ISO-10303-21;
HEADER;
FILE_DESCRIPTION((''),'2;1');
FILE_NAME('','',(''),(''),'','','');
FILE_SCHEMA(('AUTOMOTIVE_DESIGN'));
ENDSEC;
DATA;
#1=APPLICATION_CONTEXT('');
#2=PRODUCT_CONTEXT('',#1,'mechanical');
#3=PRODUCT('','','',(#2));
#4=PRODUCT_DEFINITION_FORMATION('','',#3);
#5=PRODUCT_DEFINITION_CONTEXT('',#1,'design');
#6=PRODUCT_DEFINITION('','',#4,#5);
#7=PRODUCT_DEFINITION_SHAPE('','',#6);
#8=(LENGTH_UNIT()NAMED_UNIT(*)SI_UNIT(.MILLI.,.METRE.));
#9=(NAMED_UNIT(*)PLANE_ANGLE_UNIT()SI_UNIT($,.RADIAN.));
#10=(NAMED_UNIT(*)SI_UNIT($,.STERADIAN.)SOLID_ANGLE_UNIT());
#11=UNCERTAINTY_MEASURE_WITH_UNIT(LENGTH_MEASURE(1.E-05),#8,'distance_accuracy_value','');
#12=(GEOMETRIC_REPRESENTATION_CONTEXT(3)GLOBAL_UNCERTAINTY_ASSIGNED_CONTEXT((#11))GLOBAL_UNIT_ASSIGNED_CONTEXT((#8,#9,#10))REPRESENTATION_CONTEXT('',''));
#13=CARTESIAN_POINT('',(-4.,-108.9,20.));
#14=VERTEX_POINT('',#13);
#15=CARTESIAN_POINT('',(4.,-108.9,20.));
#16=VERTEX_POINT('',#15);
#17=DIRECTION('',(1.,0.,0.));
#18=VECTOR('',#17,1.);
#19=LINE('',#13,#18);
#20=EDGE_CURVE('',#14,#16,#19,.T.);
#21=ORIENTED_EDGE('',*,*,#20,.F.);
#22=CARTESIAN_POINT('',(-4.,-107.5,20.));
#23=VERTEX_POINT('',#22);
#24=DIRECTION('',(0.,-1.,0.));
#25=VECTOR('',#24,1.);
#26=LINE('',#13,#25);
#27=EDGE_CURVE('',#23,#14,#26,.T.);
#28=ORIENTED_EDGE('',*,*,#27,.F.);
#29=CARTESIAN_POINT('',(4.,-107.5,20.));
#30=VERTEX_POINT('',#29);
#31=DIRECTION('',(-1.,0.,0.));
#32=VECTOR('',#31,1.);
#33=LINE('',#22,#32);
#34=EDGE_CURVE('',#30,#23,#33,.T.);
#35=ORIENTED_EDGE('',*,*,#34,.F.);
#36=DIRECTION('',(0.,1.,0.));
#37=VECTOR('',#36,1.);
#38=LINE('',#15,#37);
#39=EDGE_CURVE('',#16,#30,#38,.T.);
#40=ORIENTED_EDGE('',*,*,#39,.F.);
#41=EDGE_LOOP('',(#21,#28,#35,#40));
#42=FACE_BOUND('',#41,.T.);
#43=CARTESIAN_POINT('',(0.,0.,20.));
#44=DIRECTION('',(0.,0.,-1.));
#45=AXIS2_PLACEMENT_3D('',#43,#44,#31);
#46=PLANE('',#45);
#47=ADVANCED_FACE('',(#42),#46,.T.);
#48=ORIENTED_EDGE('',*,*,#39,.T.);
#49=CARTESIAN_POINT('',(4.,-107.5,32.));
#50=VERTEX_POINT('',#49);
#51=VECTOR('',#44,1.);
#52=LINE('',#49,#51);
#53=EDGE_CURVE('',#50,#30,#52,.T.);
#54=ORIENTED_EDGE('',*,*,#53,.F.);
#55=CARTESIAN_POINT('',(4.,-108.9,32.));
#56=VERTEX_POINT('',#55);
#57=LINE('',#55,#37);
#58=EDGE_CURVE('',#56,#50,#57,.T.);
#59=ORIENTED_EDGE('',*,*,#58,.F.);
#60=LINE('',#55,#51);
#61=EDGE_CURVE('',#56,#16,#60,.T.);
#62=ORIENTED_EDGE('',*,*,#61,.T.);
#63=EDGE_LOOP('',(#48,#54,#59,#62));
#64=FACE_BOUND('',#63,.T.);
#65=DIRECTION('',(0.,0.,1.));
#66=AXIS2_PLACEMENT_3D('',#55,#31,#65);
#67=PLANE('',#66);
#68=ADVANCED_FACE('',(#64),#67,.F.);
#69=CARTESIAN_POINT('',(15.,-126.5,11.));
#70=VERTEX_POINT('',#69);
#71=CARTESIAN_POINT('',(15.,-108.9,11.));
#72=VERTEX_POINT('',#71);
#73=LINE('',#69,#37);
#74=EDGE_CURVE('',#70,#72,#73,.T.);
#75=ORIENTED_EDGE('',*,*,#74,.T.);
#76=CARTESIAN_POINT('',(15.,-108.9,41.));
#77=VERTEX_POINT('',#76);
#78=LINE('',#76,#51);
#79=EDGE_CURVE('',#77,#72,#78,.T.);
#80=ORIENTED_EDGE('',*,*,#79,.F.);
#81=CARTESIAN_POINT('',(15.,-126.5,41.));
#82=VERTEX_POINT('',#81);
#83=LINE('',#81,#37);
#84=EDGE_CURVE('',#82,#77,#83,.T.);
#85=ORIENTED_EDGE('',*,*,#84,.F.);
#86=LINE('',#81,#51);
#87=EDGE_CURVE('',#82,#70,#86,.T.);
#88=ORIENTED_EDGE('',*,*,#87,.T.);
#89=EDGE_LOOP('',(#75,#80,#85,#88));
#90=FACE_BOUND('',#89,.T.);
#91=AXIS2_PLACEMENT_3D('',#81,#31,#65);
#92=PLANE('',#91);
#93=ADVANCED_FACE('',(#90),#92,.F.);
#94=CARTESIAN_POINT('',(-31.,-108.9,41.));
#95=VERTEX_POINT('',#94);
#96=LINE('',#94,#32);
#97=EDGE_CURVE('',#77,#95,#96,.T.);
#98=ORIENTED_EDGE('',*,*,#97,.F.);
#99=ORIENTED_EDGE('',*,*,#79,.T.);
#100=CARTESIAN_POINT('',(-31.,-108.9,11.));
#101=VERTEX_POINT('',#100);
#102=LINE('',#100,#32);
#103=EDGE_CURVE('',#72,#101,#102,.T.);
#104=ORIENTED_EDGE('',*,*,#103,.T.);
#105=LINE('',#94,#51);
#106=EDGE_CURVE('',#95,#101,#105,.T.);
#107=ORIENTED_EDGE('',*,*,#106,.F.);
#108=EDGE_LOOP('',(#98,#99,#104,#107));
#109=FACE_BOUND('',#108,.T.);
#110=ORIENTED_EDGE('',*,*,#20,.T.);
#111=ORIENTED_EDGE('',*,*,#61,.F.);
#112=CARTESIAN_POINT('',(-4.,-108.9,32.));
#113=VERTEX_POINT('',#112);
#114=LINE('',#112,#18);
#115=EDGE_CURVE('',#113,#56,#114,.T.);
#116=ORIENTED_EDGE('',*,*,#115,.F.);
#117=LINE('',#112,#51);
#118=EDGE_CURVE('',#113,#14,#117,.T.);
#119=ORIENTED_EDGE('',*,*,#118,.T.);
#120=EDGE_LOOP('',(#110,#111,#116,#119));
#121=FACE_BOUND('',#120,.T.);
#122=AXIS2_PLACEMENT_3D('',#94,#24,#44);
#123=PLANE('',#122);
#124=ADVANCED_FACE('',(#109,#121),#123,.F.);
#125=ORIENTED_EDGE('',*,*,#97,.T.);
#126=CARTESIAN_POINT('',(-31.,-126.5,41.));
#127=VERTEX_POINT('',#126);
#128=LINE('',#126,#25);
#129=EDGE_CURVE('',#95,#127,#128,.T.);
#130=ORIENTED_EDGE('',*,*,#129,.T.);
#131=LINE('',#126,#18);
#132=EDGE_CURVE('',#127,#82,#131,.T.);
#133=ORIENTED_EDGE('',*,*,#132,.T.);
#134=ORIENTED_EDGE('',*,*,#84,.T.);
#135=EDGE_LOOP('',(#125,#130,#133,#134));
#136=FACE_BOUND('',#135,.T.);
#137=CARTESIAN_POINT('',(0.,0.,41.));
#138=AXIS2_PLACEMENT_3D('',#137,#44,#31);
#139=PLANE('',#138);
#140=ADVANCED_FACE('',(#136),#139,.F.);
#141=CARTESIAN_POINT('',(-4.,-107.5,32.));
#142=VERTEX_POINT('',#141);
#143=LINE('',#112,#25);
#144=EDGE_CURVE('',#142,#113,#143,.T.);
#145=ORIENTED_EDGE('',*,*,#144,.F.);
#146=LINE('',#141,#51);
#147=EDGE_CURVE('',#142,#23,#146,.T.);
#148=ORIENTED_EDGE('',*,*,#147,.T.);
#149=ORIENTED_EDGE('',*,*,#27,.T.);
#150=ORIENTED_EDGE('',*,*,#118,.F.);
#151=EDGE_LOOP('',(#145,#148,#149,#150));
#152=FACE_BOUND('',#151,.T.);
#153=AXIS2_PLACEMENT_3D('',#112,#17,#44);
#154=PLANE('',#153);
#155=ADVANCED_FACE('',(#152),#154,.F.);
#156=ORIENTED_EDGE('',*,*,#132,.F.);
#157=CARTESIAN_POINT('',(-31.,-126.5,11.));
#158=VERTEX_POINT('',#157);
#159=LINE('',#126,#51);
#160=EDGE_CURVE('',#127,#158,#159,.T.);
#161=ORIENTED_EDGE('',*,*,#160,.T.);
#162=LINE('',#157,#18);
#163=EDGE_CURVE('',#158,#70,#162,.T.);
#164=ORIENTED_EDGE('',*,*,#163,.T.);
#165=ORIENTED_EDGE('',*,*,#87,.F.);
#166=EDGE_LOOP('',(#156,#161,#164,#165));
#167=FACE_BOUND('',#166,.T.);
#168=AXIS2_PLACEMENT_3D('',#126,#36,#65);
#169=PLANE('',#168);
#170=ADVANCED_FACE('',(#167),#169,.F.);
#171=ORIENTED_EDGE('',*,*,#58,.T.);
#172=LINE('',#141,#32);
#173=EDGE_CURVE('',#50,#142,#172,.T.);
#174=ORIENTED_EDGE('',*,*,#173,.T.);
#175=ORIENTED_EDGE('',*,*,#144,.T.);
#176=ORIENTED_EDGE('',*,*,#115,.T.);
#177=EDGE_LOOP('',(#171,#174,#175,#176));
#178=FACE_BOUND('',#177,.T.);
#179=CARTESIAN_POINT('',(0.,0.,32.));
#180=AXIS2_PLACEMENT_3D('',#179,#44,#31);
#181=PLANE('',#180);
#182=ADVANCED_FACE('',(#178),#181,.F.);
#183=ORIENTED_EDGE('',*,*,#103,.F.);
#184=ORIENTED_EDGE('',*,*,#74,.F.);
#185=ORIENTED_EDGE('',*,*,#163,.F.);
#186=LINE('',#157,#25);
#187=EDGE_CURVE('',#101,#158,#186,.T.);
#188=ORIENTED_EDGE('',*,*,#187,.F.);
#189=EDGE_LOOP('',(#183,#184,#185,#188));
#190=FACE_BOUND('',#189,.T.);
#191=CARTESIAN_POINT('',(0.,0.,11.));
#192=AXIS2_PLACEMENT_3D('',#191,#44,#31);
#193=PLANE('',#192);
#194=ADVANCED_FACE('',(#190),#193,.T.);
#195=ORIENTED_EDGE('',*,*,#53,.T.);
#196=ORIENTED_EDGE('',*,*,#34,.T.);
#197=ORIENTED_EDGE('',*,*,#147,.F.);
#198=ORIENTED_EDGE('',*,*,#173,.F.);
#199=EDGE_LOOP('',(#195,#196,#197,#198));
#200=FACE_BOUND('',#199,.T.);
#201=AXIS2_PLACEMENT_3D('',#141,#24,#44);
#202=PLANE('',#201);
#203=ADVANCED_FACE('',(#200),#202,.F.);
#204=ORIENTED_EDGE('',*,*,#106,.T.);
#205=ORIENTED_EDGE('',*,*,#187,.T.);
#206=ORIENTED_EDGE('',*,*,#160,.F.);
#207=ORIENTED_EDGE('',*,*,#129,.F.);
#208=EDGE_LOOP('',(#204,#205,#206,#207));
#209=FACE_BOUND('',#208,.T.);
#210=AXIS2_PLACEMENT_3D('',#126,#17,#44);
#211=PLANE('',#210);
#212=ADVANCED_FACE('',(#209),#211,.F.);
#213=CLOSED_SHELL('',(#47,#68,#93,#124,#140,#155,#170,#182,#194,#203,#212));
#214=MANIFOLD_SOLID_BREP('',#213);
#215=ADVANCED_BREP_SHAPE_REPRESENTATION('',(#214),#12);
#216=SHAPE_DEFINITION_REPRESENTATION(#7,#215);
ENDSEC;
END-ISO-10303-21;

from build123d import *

# Parameters (mm, degrees)
SKETCH1_W           = 46
SKETCH1_H           = 17.6
BOSS_EXTRUDE1_DEPTH = 30
SKETCH2_W           = 8
SKETCH2_H           = 1.4
BOSS_EXTRUDE2_DEPTH = 12


with BuildPart() as part:
    # Sketch1 → Boss-Extrude1 (new body)
    with BuildSketch(Plane.XY.offset(11)):
        with Locations((-8, -117.7)):
            Rectangle(SKETCH1_W, SKETCH1_H)
    extrude(amount=BOSS_EXTRUDE1_DEPTH)

    # Sketch2 → Boss-Extrude2 (add)
    with BuildSketch(Plane.XY.offset(20)):
        with Locations((0, -108.2)):
            Rectangle(SKETCH2_W, SKETCH2_H)
    extrude(amount=BOSS_EXTRUDE2_DEPTH)


solid = part.part
